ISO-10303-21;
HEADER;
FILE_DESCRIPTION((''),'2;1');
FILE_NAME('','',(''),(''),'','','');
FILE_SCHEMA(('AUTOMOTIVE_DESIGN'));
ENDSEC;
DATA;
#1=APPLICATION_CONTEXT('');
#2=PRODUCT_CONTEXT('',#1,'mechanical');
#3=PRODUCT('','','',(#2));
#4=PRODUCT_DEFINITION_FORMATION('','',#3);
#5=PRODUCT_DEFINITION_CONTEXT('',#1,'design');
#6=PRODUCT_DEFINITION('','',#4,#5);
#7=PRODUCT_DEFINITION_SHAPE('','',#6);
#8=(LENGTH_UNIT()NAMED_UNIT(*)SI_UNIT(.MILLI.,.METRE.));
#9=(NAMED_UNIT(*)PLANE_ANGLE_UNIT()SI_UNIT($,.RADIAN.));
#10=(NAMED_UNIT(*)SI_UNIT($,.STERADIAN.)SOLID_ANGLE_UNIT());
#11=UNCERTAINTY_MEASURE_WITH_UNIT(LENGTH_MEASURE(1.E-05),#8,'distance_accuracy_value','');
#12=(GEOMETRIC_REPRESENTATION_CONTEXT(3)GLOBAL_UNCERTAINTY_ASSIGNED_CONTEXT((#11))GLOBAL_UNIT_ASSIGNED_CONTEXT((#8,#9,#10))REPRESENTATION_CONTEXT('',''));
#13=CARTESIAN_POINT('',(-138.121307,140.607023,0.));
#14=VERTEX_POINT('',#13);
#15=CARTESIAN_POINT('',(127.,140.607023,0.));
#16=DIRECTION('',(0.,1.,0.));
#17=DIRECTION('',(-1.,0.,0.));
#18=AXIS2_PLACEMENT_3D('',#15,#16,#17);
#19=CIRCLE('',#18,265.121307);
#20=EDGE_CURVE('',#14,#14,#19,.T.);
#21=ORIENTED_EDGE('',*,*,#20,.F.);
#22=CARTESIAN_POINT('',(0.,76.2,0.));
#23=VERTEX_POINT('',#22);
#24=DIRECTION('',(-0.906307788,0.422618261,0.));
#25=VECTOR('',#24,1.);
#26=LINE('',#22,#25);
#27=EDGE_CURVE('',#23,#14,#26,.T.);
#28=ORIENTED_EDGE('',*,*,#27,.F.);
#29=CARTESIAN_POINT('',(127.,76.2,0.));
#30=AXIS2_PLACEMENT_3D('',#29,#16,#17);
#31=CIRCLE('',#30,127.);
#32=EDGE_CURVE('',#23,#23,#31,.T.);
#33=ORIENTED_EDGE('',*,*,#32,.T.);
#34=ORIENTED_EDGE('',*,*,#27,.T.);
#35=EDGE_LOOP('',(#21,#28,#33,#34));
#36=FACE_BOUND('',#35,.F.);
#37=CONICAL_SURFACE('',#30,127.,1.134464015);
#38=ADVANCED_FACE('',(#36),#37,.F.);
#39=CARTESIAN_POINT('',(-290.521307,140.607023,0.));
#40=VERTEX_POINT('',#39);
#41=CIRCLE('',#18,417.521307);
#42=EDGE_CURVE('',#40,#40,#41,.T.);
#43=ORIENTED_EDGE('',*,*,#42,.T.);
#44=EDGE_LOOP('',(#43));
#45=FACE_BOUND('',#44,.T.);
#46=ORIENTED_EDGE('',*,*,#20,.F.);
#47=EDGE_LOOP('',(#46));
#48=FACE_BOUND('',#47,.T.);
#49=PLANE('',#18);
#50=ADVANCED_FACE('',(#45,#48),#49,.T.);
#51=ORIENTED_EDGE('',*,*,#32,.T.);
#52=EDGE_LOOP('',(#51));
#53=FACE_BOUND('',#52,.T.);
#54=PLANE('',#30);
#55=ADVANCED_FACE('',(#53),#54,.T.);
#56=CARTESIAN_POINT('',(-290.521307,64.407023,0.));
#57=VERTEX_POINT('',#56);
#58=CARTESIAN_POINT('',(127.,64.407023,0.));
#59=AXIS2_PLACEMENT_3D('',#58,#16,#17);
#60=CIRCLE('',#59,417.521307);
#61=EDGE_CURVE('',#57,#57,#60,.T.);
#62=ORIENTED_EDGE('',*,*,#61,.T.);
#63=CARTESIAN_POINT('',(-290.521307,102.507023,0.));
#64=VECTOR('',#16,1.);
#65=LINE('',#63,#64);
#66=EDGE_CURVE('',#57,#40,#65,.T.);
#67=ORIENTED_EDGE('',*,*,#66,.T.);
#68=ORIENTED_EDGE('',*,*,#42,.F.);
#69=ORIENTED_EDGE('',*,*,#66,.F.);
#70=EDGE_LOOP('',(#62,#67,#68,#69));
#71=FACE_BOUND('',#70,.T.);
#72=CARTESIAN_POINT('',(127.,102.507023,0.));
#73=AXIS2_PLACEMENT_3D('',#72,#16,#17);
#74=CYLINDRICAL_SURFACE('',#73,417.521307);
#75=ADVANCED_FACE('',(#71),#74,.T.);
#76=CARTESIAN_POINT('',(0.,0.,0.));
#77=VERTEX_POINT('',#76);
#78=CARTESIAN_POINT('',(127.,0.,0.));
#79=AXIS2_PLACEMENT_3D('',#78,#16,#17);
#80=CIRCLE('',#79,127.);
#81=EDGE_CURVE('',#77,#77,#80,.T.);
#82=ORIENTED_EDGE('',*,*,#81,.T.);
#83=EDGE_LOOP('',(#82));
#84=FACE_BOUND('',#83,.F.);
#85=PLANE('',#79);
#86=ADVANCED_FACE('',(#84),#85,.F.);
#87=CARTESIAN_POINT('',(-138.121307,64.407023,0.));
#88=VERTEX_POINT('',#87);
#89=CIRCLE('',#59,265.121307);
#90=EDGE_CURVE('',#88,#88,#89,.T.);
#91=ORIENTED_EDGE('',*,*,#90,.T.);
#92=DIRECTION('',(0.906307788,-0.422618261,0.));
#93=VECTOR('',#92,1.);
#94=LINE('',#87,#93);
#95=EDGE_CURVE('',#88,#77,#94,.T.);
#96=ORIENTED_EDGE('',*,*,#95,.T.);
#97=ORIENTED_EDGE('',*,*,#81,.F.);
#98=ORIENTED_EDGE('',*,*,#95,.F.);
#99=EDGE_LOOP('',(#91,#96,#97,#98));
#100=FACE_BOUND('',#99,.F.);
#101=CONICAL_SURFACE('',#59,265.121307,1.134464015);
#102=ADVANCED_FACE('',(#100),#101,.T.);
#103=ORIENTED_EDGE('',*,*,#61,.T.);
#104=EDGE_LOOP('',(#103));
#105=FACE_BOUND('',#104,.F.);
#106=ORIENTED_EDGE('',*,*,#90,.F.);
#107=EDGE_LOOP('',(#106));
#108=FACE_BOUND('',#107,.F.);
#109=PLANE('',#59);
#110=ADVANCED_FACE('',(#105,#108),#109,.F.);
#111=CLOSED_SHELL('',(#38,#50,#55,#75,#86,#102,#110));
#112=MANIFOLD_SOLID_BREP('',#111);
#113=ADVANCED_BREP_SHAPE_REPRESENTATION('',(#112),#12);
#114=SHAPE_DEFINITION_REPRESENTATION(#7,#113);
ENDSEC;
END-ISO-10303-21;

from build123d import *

# Parameters (mm, degrees)
F0_W   = 152.4
F0_H   = 76.2
F0_W_2 = 127


with BuildPart() as f1:
    # F0 (on Top) → F1 (revolve)
    with BuildSketch(Plane.XY):
        with Locations((-214.321307, 102.507023)):
            Rectangle(F0_W, F0_H)
        Polygon((-138.121307, 64.407023), (0, 0), (0, 76.2), (-138.121307, 140.607023), align=None)
        with Locations((63.5, 38.1)):
            Rectangle(F0_W_2, F0_H)
    revolve(axis=Axis((127, 38.1, 0), (0, 1, 0)))


solid = f1.part
